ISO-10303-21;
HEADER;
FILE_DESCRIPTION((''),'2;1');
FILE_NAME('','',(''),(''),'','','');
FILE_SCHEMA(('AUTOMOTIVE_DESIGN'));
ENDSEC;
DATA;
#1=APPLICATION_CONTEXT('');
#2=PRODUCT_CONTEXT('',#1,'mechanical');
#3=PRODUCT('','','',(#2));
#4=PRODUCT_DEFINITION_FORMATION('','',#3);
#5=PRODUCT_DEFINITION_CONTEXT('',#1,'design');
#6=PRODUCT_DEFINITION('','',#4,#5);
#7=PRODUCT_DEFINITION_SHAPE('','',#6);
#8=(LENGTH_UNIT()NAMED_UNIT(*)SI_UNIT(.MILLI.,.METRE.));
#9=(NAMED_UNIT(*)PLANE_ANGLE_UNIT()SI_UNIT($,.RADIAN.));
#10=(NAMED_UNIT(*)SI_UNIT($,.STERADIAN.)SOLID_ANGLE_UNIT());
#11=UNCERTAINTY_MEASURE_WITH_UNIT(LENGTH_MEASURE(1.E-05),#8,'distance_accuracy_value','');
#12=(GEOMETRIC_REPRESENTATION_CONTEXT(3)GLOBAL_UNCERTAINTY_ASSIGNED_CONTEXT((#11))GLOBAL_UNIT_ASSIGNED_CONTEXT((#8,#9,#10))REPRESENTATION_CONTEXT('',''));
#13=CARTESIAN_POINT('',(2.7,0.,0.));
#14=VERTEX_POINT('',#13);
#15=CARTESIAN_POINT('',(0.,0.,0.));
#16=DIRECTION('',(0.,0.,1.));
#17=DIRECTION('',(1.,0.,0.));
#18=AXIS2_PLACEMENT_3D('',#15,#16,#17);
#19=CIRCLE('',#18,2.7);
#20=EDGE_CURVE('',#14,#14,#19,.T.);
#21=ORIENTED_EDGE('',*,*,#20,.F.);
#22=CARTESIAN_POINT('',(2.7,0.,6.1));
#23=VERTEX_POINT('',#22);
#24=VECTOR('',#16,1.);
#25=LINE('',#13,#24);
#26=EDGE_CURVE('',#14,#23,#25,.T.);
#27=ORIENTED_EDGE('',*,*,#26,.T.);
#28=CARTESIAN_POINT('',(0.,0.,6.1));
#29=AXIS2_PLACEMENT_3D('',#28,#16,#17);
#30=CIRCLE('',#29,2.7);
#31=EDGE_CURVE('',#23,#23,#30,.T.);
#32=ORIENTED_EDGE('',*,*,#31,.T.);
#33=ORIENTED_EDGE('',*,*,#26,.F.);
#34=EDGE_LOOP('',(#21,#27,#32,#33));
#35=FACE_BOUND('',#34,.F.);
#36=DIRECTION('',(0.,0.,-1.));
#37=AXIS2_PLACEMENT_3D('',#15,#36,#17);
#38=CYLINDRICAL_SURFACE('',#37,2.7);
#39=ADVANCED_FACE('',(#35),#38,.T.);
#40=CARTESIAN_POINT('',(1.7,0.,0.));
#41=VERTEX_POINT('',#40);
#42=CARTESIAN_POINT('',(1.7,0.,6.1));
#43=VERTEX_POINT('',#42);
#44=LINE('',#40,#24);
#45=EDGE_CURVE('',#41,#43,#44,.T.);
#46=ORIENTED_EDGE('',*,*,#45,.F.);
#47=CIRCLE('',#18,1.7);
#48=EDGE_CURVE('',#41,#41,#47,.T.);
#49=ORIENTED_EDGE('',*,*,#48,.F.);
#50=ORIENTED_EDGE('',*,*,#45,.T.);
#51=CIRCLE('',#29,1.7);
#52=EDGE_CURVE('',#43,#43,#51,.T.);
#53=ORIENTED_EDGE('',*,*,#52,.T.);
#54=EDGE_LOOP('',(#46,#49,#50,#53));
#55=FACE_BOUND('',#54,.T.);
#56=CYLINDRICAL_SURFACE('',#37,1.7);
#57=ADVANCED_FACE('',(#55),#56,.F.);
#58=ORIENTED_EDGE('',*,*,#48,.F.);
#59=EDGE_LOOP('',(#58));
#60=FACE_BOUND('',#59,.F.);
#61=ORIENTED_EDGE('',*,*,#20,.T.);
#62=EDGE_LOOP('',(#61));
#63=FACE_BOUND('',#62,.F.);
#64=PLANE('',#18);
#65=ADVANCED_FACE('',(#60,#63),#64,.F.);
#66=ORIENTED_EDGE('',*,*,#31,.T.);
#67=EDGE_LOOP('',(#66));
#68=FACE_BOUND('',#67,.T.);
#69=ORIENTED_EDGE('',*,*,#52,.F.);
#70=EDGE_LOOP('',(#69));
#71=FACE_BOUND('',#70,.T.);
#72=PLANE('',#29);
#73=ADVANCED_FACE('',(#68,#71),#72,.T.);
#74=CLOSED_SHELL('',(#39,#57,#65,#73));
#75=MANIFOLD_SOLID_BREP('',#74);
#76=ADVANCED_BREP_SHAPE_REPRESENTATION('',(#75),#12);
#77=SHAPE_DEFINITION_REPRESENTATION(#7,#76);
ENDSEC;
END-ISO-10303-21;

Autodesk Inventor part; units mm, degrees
ref_plane "YZ Plane" through (0, 0, 0) normal (1, 0, 0) x (0, 1, 0)
ref_plane "XZ Plane" through (0, 0, 0) normal (0, 1, 0) x (-1, 0, 0)
ref_plane "XY Plane" through (0, 0, 0) normal (0, 0, 1) x (1, 0, 0)
sketch "Skizze1" plane through (0, 0, 0) normal (0, 0, 1) x (1, 0, 0)
  circle A0 centre (0, 0) radius 1.7
  circle A1 centre (0, 0) radius 2.7
  dimension "d0" = 1
  dimension "d1" = 3.4
extrude "Extrusion1" add sketch "Skizze1" along normal blind 6.1
properties part number "Unten_Abstandshalter" material "ABS-Kunststoff"
